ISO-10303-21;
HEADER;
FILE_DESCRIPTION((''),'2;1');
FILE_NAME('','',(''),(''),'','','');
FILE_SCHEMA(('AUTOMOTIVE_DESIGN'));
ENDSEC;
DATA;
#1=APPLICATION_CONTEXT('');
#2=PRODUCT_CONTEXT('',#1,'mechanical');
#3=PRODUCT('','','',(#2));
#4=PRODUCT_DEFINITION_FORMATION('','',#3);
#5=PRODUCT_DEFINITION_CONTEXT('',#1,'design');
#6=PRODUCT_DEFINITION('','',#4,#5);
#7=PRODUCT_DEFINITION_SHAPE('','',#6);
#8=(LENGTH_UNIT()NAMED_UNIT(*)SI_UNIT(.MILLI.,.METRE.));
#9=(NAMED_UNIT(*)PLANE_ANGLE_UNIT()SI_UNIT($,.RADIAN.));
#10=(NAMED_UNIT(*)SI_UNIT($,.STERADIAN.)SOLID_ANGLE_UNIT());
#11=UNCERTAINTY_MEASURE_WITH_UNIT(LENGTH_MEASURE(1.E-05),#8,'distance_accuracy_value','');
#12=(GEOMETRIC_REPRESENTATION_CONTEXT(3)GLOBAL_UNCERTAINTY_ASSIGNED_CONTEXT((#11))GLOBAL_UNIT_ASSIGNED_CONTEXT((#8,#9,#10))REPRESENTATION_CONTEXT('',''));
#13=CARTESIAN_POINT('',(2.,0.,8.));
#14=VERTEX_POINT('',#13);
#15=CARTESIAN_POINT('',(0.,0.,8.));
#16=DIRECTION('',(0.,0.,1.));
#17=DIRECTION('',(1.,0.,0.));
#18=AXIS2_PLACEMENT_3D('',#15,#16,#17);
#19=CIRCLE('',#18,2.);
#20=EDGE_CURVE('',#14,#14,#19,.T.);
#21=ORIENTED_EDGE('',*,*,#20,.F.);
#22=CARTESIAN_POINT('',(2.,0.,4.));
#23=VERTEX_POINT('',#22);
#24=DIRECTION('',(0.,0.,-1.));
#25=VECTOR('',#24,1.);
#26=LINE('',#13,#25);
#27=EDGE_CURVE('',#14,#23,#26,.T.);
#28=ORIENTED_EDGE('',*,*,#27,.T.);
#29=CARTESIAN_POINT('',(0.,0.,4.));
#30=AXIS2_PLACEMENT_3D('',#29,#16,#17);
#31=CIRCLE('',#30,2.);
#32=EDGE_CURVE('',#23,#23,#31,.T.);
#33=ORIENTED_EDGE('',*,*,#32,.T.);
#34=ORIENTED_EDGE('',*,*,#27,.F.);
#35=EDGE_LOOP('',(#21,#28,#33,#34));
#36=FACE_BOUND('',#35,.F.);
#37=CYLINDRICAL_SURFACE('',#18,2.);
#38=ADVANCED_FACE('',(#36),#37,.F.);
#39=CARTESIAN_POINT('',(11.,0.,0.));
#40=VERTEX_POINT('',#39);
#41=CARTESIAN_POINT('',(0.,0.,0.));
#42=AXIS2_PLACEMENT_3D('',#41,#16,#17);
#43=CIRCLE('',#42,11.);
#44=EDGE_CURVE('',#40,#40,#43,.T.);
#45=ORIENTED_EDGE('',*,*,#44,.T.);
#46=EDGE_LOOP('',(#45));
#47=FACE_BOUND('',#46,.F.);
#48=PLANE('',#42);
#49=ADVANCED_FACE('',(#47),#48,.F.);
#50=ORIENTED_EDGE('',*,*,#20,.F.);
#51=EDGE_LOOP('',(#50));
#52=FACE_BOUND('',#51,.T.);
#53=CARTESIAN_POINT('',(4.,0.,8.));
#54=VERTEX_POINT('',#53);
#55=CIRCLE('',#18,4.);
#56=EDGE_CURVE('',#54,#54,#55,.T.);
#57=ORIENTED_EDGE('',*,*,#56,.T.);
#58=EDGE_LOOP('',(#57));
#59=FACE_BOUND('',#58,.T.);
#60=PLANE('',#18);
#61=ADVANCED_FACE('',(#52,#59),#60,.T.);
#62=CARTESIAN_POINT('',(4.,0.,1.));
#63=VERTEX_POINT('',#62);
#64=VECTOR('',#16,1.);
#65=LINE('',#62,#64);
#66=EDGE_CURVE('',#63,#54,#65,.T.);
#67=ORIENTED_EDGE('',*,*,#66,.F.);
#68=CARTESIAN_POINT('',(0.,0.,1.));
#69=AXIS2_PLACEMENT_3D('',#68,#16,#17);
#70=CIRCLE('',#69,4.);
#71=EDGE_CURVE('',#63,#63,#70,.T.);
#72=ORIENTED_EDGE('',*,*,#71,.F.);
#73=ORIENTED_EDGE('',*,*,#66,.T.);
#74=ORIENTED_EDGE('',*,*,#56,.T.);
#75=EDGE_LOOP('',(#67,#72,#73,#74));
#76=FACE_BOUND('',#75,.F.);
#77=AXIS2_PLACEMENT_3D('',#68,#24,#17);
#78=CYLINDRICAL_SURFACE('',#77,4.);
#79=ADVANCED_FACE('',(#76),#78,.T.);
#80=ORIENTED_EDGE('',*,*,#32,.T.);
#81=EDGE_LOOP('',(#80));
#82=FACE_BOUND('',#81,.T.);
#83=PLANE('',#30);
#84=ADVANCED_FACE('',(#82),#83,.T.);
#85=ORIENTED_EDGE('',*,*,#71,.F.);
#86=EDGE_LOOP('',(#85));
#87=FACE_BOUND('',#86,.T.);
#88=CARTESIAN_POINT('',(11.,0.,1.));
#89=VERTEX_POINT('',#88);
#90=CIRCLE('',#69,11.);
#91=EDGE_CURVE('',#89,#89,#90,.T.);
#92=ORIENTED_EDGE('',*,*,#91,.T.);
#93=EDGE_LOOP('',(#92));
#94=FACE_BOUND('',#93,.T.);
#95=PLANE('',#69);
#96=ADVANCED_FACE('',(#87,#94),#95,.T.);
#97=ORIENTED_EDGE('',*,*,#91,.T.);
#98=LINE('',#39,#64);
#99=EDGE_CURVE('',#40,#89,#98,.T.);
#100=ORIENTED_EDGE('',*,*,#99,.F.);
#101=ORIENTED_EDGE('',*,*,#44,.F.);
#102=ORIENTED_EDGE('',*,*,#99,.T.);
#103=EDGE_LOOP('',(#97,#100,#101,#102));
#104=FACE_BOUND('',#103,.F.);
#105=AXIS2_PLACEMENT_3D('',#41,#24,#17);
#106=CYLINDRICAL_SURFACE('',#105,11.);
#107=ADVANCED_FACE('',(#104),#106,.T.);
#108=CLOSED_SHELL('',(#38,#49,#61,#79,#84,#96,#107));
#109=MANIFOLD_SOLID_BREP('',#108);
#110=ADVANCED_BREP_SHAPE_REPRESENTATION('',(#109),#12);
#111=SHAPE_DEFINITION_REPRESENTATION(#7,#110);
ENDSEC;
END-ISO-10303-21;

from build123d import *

# Parameters (mm, degrees)
F0_R     = 11
F0_R_2   = 4
F1_DEPTH = 1
F2_R     = 4
F3_DEPTH = 7
F4_R     = 2
F5_DEPTH = 4


with BuildPart() as f1:
    # F0 (on Top) → F1 (new body)
    with BuildSketch(Plane.XY):
        Circle(F0_R)
        Circle(F0_R_2, mode=Mode.SUBTRACT)
        Circle(F0_R_2)
    extrude(amount=F1_DEPTH)

    # F2 (on face) → F3 (join)
    with BuildSketch(Plane.XY.offset(1)):
        Circle(F2_R)
    extrude(amount=F3_DEPTH)

    # F4 (on face) → F5 (cut)
    with BuildSketch(Plane.XY.offset(8)):
        Circle(F4_R)
    extrude(amount=-F5_DEPTH, mode=Mode.SUBTRACT)


solid = f1.part
